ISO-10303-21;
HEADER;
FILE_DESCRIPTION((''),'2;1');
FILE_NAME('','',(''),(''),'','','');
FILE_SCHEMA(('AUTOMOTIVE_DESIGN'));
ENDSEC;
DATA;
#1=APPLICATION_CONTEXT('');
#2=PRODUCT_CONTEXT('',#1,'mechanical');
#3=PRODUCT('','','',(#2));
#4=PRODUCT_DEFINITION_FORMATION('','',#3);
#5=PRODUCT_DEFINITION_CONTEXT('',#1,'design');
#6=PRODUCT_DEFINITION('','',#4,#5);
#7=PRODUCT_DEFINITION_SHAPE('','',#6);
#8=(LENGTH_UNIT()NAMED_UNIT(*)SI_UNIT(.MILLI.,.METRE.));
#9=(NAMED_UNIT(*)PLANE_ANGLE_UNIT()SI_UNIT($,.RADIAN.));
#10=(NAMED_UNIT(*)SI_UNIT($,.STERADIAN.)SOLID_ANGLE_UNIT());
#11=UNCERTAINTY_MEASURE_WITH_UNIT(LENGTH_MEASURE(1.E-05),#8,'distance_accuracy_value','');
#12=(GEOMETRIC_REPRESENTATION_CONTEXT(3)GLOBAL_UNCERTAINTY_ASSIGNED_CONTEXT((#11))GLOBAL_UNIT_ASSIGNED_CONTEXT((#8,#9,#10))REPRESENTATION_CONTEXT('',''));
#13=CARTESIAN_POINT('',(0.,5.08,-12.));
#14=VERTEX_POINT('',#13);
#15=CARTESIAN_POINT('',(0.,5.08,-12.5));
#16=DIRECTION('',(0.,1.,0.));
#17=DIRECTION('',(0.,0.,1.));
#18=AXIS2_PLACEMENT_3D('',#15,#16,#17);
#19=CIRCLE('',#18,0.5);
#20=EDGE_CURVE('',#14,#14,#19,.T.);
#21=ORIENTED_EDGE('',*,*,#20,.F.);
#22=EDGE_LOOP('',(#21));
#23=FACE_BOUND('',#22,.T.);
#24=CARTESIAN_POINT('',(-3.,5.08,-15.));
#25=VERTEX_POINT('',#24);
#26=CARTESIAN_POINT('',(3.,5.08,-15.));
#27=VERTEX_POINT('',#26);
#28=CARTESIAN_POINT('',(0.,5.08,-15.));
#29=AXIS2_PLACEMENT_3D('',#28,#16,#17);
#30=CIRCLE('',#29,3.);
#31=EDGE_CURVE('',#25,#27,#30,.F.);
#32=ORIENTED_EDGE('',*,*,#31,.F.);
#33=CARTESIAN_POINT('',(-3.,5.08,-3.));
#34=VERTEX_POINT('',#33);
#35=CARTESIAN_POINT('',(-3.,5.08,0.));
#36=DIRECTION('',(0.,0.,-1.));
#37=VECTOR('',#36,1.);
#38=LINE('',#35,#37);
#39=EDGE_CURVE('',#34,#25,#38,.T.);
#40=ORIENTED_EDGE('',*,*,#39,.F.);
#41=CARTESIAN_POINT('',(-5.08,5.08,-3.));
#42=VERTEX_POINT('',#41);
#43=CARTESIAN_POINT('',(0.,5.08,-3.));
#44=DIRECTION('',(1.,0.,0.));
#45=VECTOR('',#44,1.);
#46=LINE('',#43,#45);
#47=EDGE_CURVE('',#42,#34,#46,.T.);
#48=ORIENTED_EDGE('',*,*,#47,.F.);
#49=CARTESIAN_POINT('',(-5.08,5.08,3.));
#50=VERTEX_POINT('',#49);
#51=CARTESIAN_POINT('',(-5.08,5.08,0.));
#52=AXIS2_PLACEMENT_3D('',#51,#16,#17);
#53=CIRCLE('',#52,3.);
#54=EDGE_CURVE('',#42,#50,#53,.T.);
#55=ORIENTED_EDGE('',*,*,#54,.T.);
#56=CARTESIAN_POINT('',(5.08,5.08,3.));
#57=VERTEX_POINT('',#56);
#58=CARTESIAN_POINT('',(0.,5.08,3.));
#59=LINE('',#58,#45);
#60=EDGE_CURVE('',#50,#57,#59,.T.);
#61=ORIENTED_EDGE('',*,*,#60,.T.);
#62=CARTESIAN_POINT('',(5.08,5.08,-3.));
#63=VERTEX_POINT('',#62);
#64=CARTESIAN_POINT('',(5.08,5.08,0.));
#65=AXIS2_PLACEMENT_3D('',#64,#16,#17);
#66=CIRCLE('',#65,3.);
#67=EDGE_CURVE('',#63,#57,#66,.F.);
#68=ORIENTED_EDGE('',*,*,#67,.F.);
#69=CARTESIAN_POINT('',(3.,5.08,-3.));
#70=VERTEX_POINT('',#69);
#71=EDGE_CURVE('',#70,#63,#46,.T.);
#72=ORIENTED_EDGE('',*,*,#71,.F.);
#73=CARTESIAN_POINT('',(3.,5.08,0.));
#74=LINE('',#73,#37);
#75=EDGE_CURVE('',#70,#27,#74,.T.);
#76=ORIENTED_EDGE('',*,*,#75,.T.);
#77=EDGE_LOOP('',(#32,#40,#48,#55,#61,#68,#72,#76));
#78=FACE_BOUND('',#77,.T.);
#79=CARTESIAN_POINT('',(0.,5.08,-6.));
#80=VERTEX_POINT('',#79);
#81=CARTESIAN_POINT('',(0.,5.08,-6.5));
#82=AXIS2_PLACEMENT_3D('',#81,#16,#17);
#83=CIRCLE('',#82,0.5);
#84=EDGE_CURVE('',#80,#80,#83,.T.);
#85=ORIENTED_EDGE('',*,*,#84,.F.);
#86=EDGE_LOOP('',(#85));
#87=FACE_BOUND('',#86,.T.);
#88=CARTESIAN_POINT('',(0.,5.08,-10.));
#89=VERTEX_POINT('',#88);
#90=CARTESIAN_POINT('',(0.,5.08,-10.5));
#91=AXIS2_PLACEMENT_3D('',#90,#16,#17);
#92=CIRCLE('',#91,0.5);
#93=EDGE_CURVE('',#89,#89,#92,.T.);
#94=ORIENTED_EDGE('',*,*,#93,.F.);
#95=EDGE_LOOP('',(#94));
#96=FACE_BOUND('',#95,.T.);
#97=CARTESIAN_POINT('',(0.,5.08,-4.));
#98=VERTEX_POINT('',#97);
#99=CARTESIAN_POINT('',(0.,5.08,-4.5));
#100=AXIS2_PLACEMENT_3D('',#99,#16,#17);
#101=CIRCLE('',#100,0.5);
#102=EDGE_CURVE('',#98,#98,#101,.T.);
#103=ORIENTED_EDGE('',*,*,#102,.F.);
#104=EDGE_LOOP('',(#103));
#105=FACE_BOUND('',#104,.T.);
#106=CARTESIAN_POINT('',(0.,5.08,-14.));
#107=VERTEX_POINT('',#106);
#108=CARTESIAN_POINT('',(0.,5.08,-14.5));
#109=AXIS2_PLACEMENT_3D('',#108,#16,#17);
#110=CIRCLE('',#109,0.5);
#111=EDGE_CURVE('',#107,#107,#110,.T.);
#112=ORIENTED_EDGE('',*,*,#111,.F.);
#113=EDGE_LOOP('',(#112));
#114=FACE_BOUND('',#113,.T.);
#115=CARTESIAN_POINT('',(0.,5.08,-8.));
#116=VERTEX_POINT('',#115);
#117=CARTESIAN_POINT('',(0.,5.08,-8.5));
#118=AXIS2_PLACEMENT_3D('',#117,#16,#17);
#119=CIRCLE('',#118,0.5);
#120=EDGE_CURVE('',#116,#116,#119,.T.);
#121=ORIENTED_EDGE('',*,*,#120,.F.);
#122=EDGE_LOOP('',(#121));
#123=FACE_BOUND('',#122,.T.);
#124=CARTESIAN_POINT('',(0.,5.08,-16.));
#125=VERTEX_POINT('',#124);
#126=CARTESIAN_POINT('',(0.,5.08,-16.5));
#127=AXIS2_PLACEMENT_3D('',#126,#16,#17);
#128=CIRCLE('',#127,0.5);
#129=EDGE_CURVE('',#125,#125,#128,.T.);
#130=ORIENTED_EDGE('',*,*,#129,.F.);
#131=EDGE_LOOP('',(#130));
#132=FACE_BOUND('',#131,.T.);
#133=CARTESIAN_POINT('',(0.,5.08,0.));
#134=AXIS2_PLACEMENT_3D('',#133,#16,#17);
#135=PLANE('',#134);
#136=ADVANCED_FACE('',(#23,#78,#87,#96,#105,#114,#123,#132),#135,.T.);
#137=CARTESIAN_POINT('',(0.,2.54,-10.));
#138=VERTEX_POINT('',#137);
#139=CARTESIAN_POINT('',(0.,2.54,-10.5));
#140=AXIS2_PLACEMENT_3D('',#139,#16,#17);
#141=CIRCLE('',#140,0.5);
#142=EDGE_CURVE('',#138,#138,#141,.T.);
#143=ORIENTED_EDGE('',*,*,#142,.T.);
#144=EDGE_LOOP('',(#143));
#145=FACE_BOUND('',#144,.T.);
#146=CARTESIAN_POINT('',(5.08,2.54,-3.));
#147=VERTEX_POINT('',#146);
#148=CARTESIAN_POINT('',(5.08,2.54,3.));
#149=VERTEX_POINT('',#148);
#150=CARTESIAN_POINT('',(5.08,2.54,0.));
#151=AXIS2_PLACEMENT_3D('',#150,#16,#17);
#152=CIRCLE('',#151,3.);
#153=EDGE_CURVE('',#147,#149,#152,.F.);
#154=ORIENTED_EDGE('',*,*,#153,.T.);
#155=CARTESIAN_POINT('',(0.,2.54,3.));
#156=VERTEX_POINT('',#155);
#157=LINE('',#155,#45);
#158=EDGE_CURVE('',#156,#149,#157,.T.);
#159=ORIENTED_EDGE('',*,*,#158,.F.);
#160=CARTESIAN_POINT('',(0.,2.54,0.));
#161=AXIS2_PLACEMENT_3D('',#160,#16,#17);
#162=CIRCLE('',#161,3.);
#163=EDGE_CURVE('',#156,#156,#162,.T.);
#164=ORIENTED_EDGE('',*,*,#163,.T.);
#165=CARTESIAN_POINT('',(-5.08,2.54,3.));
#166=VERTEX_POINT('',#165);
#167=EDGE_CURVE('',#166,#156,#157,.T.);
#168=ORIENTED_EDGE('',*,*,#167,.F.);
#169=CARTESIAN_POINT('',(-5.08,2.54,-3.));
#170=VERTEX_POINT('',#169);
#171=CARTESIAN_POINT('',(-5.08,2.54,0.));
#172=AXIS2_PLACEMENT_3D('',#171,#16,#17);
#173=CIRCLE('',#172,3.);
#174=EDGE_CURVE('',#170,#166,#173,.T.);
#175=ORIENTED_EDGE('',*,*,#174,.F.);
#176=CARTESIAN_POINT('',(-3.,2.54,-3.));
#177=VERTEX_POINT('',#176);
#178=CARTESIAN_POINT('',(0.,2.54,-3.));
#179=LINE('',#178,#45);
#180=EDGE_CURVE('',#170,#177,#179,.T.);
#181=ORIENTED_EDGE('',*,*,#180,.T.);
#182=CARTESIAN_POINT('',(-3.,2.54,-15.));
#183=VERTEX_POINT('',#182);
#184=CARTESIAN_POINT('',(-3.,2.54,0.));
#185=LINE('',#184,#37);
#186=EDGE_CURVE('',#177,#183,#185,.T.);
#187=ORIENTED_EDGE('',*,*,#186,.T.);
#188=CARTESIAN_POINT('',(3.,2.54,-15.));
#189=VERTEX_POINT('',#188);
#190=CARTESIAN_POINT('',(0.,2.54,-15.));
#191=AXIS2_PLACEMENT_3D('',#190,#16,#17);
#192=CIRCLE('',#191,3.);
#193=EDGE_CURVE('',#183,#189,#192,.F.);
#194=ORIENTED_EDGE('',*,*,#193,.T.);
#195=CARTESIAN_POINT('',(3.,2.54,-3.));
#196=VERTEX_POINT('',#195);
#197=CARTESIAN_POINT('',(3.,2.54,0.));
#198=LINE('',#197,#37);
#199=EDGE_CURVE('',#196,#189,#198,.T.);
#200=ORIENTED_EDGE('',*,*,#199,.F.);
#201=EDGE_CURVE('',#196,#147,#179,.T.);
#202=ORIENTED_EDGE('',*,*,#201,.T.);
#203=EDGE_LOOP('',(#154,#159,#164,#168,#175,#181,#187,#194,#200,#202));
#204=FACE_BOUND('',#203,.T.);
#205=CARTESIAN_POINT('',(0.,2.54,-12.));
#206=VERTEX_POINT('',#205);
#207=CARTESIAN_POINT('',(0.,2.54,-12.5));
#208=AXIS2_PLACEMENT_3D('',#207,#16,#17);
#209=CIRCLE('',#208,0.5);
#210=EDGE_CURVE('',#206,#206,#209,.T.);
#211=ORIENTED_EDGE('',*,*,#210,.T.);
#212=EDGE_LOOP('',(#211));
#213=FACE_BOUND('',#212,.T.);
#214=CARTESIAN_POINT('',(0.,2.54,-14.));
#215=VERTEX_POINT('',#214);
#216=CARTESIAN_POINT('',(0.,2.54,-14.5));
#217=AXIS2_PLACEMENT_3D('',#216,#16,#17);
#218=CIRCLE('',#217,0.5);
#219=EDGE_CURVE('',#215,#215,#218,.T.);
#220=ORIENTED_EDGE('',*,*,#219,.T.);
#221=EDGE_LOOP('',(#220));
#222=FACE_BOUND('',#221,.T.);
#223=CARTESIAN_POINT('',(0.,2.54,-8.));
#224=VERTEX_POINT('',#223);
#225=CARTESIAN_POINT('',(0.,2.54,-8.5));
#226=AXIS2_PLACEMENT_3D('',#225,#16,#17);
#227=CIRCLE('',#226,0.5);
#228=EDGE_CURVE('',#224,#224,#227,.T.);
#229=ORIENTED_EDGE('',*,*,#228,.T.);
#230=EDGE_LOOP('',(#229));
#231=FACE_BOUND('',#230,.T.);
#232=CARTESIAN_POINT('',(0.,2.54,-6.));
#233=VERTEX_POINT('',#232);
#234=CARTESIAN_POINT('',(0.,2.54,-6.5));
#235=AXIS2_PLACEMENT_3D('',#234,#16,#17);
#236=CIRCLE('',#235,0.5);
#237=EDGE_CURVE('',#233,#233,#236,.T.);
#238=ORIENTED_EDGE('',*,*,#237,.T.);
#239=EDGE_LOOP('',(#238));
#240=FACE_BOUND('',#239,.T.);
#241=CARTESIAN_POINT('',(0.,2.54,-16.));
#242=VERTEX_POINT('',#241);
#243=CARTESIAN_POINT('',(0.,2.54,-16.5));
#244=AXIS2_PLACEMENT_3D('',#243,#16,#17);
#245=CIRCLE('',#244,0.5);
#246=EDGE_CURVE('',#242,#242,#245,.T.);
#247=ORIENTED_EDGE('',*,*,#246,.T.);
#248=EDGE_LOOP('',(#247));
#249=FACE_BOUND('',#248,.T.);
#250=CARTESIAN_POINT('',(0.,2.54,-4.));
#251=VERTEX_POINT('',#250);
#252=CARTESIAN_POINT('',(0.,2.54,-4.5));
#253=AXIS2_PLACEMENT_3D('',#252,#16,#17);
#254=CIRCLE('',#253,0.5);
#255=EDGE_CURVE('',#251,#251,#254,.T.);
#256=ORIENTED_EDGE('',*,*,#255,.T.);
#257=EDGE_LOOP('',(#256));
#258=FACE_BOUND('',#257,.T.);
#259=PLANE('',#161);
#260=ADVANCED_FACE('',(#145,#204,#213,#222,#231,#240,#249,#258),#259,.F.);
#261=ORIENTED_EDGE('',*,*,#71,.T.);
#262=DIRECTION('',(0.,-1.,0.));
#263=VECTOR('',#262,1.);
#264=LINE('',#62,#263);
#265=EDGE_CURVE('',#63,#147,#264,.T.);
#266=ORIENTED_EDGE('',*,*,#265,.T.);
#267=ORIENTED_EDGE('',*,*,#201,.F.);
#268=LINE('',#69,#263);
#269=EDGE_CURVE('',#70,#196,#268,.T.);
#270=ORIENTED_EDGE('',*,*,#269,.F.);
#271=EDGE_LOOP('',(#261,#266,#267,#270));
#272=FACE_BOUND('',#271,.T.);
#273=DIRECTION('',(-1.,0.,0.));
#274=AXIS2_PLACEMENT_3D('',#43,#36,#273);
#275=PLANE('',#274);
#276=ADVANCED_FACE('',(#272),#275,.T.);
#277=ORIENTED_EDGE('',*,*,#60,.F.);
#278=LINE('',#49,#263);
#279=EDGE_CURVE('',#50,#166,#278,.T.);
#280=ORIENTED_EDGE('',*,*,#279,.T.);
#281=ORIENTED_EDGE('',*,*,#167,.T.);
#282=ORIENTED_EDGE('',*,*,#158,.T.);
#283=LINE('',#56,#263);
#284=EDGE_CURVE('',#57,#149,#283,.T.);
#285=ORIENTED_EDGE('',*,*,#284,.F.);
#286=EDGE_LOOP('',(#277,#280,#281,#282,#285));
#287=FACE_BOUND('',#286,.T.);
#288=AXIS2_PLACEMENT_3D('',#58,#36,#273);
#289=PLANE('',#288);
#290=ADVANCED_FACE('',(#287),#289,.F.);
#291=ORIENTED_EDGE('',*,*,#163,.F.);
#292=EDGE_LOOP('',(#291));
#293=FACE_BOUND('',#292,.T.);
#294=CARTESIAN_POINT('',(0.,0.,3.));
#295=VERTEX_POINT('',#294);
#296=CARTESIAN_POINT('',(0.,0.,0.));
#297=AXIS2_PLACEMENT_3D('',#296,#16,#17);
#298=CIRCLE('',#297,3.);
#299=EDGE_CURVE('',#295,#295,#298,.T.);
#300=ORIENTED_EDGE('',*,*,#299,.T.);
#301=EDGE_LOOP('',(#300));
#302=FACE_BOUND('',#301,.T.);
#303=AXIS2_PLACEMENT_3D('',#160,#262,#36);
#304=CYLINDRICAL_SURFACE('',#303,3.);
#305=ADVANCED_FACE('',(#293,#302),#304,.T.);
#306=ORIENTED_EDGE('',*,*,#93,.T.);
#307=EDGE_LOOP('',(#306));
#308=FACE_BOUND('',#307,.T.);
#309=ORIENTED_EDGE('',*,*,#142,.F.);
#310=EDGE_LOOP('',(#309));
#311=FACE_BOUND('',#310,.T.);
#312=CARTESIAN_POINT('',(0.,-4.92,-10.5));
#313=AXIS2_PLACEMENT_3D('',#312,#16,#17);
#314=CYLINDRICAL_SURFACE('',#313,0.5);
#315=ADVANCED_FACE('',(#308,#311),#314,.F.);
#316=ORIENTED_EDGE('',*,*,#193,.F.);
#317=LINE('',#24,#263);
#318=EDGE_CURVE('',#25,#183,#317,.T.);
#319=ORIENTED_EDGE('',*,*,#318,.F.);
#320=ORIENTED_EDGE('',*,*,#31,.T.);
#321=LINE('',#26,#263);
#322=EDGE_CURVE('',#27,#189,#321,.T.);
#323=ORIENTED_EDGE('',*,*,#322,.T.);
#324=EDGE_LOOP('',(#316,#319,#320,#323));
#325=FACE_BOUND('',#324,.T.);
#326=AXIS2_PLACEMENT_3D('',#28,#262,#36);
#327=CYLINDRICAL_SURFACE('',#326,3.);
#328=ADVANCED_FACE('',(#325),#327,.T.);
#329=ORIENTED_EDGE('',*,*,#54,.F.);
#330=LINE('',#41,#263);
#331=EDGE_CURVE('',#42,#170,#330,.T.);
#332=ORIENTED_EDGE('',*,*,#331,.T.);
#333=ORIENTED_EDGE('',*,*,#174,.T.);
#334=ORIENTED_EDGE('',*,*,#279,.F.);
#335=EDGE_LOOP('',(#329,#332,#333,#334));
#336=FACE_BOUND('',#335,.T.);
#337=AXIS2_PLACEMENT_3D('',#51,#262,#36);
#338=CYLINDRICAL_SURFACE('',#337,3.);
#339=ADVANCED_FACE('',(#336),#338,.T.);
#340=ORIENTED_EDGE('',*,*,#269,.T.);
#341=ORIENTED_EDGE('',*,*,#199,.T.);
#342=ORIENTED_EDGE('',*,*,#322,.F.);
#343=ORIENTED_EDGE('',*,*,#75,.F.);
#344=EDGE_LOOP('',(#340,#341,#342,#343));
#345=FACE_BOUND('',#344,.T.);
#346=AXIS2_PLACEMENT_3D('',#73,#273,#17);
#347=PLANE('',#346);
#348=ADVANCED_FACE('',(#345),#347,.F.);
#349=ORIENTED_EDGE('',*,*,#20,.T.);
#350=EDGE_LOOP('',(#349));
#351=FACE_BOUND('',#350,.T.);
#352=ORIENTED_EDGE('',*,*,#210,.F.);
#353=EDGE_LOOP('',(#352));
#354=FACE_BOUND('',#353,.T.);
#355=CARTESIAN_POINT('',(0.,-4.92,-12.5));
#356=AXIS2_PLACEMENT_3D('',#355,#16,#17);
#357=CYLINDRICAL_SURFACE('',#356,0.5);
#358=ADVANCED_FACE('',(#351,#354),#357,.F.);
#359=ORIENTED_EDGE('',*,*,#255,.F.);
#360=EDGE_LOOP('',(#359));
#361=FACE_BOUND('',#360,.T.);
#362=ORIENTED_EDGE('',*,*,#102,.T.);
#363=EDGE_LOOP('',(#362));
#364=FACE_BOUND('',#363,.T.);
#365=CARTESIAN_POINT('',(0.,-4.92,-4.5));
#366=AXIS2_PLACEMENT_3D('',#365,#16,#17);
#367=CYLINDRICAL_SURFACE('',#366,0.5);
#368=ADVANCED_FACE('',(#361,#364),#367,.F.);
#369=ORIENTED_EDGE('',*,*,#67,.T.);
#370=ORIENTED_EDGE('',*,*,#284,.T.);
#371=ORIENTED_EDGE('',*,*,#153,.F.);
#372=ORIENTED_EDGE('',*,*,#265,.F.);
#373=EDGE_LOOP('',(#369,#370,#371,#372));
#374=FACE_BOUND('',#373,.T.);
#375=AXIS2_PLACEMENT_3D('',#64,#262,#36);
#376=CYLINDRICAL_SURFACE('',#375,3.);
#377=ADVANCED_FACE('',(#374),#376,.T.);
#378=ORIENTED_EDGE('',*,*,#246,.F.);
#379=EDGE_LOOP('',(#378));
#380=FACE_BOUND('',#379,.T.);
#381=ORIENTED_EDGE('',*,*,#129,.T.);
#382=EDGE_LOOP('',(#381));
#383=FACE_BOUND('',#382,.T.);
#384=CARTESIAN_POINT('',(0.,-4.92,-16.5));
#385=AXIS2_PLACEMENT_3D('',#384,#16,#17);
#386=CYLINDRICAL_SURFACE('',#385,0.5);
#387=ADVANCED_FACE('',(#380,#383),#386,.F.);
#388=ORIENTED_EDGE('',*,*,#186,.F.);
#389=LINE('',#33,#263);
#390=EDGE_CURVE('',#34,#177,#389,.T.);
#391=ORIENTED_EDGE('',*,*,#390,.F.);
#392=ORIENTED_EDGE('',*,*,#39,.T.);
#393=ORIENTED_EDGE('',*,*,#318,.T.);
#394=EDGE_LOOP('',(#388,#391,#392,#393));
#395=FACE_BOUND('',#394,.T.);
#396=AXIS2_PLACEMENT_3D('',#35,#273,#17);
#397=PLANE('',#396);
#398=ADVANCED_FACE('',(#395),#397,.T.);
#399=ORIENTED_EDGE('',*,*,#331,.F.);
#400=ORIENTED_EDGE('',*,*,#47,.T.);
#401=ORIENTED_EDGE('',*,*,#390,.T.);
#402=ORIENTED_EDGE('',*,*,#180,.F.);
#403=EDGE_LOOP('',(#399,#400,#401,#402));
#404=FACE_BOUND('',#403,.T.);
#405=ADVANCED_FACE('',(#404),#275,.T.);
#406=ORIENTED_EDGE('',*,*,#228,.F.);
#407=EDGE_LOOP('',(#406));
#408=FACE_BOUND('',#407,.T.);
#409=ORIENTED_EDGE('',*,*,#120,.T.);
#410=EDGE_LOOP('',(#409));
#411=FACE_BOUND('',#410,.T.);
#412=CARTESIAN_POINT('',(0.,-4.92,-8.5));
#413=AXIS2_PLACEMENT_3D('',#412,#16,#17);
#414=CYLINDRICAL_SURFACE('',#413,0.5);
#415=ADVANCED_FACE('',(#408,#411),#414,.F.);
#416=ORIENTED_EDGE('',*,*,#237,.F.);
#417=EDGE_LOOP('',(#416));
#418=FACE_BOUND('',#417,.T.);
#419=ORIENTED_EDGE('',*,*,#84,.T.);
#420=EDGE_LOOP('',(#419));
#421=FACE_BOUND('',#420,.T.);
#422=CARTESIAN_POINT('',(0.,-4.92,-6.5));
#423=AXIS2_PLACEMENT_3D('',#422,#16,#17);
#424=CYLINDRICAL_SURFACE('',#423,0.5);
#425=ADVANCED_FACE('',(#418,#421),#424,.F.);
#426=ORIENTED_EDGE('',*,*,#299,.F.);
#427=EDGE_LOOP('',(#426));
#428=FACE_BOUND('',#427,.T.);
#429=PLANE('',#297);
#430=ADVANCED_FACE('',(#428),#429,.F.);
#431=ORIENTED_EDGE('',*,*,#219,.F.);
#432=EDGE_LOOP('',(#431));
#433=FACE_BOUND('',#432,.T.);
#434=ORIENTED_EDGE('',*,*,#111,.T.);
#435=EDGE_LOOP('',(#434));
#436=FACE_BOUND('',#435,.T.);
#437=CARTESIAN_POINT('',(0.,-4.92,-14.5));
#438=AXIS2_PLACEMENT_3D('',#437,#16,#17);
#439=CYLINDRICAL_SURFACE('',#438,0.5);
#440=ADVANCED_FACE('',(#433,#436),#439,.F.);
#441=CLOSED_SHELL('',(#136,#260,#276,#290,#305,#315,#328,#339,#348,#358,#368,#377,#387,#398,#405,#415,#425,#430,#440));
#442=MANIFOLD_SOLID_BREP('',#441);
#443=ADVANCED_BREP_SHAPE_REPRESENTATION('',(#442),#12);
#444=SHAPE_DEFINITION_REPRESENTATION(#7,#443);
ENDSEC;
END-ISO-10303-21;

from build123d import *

# Parameters (mm, degrees)
SKETCH1_R           = 3
BOSS_EXTRUDE1_DEPTH = 2.54
SKETCH2_R           = 3
BOSS_EXTRUDE2_DEPTH = 2.54
SKETCH3_R           = 0.5
CUT_EXTRUDE1_DEPTH  = 10


with BuildPart() as part:
    # Sketch1 → Boss-Extrude1 (new body)
    with BuildSketch(Plane(origin=(0, 0, 0), x_dir=(1, 0, 0), z_dir=(0, 1, 0))):
        with Locations(Location((0, 0, 0), (0, 0, 270))):
            Circle(SKETCH1_R)
    extrude(amount=BOSS_EXTRUDE1_DEPTH)

    # Sketch2 → Boss-Extrude2 (add)
    with BuildSketch(Plane(origin=(0, 2.54, 0), x_dir=(1, 0, 0), z_dir=(0, 1, 0))):
        with BuildLine():
            ThreePointArc((-3, 15), (0, 18), (3, 15))
            Line((3, 15), (-3, 15))
        make_face()
        Polygon((-3, 15), (-3, 3), (0, 3), (3, 3), (3, 15), align=None)
        with BuildLine():
            Line((-5.08, 3), (-5.08, -3))
            ThreePointArc((-5.08, -3), (-8.08, 0), (-5.08, 3))
        make_face()
        Polygon((-3, 3), (-5.08, 3), (-5.08, -3), (-3, -3), (-3, 6e-09), align=None)
        with BuildLine():
            Line((3, 3), (0, 3))
            ThreePointArc((0, 3), (2.121320344, 2.121320344), (3, 0))
            Line((3, 0), (3, 3))
        make_face()
        with Locations(Location((0, 0, 0), (0, 0, 270))):
            Circle(SKETCH2_R)
        with BuildLine():
            Line((3, -3), (3, 0))
            ThreePointArc((3, 0), (2.121320338, -2.121320349), (-1.5e-08, -3))
            Line((-1.5e-08, -3), (3, -3))
        make_face()
        with BuildLine():
            ThreePointArc((5.08, 3), (8.08, 0), (5.08, -3))
            Line((5.08, -3), (5.08, 3))
        make_face()
        Polygon((5.08, 3), (3, 3), (3, 0), (3, -3), (5.08, -3), align=None)
        with BuildLine():
            ThreePointArc((-1.5e-08, -3), (-2.121320351, -2.121320336), (-3, 6e-09))
            Line((-3, 6e-09), (-3, -3))
            Line((-3, -3), (-1.5e-08, -3))
        make_face()
        with BuildLine():
            Line((0, 3), (-3, 3))
            Line((-3, 3), (-3, 6e-09))
            ThreePointArc((-3, 6e-09), (-2.121320342, 2.121320346), (0, 3))
        make_face()
    extrude(amount=BOSS_EXTRUDE2_DEPTH)

    # Sketch3 → Cut-Extrude1 (cut)
    with BuildSketch(Plane(origin=(0, 5.08, 0), x_dir=(1, 0, 0), z_dir=(0, 1, 0))):
        with Locations(Location((0, 16.5, 0), (0, 0, 270))):
            Circle(SKETCH3_R)
        with Locations(Location((0, 14.5, 0), (0, 0, 270))):
            Circle(SKETCH3_R)
        with Locations(Location((0, 12.5, 0), (0, 0, 270))):
            Circle(SKETCH3_R)
        with Locations(Location((0, 10.5, 0), (0, 0, 270))):
            Circle(SKETCH3_R)
        with Locations(Location((0, 8.5, 0), (0, 0, 270))):
            Circle(SKETCH3_R)
        with Locations(Location((0, 6.5, 0), (0, 0, 270))):
            Circle(SKETCH3_R)
        with Locations(Location((0, 4.5, 0), (0, 0, 270))):
            Circle(SKETCH3_R)
    extrude(amount=-CUT_EXTRUDE1_DEPTH, mode=Mode.SUBTRACT)


solid = part.part
